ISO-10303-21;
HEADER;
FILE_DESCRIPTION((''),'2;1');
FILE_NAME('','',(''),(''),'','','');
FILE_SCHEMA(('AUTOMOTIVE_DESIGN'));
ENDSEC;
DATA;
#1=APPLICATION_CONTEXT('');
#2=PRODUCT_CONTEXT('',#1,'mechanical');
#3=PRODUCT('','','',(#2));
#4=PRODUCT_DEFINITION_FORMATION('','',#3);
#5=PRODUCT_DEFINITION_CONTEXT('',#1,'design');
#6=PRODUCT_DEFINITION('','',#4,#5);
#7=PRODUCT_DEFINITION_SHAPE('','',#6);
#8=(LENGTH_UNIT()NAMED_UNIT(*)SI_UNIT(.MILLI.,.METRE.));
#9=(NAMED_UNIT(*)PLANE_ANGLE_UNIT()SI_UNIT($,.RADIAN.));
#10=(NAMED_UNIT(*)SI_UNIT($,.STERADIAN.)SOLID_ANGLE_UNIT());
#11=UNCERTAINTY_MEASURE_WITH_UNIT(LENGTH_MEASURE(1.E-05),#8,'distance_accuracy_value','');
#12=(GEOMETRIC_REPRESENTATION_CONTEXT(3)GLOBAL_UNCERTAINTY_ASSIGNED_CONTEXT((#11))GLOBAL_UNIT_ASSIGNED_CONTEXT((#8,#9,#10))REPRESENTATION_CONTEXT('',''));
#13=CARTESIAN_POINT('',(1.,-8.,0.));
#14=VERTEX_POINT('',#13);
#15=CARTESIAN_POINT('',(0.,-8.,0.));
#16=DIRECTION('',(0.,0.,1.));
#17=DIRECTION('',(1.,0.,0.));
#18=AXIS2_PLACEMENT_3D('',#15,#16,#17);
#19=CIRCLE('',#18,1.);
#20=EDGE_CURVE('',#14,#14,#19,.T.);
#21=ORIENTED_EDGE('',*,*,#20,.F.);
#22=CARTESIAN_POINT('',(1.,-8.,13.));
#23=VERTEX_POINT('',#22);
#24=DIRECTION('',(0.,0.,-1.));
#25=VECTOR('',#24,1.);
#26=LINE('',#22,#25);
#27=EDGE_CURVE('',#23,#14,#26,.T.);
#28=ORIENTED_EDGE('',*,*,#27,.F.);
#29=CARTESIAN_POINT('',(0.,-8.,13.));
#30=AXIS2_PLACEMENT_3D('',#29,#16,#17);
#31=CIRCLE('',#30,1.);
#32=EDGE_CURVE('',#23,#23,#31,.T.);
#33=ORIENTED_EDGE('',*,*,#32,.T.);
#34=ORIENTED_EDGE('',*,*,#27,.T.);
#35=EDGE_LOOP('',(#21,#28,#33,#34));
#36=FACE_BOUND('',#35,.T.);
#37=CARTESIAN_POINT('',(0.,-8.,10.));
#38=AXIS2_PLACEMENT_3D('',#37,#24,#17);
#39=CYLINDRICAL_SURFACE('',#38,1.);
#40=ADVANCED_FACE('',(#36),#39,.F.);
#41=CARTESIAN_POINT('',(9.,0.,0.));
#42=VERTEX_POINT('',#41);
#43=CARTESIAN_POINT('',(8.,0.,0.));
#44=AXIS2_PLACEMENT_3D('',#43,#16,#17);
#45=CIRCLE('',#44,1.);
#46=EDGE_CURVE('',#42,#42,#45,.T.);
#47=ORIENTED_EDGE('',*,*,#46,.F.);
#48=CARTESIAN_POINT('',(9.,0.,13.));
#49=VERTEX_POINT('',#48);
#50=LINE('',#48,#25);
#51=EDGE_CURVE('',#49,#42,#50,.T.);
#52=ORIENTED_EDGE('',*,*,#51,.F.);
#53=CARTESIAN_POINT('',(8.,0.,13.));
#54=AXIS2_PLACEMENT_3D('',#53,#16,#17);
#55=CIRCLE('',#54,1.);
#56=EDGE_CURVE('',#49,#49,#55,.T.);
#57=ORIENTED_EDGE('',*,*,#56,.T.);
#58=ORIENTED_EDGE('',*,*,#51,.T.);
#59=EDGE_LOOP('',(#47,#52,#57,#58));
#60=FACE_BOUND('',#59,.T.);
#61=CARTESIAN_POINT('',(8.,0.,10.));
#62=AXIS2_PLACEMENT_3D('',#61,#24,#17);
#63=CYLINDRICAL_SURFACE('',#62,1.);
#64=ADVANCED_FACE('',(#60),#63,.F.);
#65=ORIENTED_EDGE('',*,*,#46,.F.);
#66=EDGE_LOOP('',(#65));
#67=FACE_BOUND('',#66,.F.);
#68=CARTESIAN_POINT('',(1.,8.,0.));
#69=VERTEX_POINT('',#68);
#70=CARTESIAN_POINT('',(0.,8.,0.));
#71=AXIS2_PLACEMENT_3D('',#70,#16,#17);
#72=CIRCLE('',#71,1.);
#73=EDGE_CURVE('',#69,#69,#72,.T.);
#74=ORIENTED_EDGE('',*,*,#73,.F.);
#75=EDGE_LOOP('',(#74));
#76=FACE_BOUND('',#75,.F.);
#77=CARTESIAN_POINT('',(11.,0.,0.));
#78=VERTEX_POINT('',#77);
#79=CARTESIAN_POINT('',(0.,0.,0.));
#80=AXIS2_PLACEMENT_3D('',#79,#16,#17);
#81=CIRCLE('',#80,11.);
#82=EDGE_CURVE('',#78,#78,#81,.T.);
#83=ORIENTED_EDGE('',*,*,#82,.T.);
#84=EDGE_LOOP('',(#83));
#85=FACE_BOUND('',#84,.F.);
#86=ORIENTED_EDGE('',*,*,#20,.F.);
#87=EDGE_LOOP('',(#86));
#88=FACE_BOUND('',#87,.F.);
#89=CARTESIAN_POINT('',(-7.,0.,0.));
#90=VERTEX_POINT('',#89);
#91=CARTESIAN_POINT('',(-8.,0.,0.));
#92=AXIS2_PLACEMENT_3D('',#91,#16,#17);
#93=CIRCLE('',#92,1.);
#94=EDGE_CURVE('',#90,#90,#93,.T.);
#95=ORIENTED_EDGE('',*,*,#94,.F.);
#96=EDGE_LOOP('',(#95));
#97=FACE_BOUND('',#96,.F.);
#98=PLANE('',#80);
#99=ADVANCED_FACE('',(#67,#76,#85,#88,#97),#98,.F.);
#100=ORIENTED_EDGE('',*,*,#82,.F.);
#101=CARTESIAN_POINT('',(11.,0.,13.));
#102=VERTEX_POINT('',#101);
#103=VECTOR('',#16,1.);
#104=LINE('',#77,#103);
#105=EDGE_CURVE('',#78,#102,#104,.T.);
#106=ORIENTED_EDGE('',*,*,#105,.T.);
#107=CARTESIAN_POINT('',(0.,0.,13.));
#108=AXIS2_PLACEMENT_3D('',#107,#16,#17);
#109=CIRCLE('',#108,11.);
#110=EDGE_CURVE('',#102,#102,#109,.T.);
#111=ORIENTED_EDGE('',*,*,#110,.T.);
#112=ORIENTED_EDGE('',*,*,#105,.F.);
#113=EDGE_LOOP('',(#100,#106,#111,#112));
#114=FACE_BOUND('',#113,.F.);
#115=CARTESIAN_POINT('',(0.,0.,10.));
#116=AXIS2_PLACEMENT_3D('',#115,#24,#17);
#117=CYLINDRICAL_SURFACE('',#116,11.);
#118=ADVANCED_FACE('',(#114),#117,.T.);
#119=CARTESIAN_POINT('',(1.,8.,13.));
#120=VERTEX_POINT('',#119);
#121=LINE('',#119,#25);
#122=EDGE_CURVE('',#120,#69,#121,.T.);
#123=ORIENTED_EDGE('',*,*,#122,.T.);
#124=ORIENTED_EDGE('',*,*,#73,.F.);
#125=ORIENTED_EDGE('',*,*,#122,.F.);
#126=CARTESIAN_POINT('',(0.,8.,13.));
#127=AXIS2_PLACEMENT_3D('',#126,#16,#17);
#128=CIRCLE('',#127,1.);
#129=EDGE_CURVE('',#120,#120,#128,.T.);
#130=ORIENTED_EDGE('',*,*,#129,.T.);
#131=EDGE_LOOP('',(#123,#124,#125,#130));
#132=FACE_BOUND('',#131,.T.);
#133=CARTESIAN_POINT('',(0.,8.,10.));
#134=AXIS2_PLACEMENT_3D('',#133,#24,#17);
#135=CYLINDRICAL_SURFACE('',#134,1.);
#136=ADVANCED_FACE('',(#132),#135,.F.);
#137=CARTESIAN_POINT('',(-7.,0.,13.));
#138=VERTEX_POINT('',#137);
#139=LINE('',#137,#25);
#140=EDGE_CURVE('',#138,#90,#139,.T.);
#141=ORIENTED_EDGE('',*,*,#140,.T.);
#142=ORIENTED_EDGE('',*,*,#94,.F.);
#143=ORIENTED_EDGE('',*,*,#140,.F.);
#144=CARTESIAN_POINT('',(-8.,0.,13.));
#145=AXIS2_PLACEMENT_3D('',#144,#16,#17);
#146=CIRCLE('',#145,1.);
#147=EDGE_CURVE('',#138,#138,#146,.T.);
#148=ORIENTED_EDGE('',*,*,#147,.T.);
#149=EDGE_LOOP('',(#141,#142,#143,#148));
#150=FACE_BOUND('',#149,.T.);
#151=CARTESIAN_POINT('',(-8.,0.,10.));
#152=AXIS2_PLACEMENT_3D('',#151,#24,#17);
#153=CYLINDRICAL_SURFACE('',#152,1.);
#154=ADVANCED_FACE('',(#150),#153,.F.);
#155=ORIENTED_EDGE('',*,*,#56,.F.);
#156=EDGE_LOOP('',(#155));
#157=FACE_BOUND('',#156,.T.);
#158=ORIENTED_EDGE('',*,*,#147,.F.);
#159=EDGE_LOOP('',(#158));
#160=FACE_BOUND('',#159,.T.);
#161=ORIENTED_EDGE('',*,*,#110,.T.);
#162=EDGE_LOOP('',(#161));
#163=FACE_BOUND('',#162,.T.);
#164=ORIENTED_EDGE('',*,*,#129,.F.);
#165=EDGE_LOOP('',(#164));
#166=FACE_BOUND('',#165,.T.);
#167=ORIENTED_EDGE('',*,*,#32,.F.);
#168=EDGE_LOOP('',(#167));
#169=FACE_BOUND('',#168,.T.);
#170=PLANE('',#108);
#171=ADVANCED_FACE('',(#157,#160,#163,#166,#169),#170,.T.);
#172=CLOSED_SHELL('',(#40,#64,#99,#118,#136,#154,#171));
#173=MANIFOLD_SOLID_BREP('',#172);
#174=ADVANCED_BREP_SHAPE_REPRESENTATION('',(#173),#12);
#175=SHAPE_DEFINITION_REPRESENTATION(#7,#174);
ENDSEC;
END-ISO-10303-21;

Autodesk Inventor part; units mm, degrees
ref_plane "YZ Plane" through (0, 0, 0) normal (1, 0, 0) x (0, 1, 0)
ref_plane "XZ Plane" through (0, 0, 0) normal (0, 1, 0) x (-1, 0, 0)
ref_plane "XY Plane" through (0, 0, 0) normal (0, 0, 1) x (1, 0, 0)
sketch "Sketch1" plane through (0, 0, 0) normal (0, 0, 1) x (1, 0, 0)
  circle A0 centre (0, 0) radius 11
  dimension "d0" = 22
extrude "Extrusion1" add sketch "Sketch1" along normal blind 10
sketch "Sketch2" plane through (0, 0, 10) normal (0, 0, 1) x (1, 0, 0)
  circle A0 centre (0, 0) radius 11 projected
  circle A1 centre (0, 0) radius 8
  circle A2 centre (-8, 0) radius 1
  circle A3 centre (0, 8) radius 1
  circle A4 centre (8, 0) radius 1
  circle A5 centre (0, -8) radius 1
  dimension "d3" = 16
  dimension "d4" = 2
  dimension "d5" = 2
  dimension "d6" = 2
  dimension "d7" = 2
extrude "Extrusion2" cut sketch "Sketch2" against normal blind 10 contours A1 A4 | A1 A4 | A3 A1 | A1 A3 | A5 A1 | A1 A5 | A2 A1 | A1 A2
sketch "Sketch3" plane through (0, 0, 10) normal (0, 0, 1) x (1, 0, 0)
  circle A0 centre (8, 0) radius 1 projected
  circle A1 centre (0, -8) radius 1 projected
  circle A2 centre (-8, 0) radius 1 projected
  circle A3 centre (0, 8) radius 1 projected
  circle A4 centre (0, 0) radius 11 projected
extrude "Extrusion3" add sketch "Sketch3" along normal blind 3
properties part number "awesomespin"
